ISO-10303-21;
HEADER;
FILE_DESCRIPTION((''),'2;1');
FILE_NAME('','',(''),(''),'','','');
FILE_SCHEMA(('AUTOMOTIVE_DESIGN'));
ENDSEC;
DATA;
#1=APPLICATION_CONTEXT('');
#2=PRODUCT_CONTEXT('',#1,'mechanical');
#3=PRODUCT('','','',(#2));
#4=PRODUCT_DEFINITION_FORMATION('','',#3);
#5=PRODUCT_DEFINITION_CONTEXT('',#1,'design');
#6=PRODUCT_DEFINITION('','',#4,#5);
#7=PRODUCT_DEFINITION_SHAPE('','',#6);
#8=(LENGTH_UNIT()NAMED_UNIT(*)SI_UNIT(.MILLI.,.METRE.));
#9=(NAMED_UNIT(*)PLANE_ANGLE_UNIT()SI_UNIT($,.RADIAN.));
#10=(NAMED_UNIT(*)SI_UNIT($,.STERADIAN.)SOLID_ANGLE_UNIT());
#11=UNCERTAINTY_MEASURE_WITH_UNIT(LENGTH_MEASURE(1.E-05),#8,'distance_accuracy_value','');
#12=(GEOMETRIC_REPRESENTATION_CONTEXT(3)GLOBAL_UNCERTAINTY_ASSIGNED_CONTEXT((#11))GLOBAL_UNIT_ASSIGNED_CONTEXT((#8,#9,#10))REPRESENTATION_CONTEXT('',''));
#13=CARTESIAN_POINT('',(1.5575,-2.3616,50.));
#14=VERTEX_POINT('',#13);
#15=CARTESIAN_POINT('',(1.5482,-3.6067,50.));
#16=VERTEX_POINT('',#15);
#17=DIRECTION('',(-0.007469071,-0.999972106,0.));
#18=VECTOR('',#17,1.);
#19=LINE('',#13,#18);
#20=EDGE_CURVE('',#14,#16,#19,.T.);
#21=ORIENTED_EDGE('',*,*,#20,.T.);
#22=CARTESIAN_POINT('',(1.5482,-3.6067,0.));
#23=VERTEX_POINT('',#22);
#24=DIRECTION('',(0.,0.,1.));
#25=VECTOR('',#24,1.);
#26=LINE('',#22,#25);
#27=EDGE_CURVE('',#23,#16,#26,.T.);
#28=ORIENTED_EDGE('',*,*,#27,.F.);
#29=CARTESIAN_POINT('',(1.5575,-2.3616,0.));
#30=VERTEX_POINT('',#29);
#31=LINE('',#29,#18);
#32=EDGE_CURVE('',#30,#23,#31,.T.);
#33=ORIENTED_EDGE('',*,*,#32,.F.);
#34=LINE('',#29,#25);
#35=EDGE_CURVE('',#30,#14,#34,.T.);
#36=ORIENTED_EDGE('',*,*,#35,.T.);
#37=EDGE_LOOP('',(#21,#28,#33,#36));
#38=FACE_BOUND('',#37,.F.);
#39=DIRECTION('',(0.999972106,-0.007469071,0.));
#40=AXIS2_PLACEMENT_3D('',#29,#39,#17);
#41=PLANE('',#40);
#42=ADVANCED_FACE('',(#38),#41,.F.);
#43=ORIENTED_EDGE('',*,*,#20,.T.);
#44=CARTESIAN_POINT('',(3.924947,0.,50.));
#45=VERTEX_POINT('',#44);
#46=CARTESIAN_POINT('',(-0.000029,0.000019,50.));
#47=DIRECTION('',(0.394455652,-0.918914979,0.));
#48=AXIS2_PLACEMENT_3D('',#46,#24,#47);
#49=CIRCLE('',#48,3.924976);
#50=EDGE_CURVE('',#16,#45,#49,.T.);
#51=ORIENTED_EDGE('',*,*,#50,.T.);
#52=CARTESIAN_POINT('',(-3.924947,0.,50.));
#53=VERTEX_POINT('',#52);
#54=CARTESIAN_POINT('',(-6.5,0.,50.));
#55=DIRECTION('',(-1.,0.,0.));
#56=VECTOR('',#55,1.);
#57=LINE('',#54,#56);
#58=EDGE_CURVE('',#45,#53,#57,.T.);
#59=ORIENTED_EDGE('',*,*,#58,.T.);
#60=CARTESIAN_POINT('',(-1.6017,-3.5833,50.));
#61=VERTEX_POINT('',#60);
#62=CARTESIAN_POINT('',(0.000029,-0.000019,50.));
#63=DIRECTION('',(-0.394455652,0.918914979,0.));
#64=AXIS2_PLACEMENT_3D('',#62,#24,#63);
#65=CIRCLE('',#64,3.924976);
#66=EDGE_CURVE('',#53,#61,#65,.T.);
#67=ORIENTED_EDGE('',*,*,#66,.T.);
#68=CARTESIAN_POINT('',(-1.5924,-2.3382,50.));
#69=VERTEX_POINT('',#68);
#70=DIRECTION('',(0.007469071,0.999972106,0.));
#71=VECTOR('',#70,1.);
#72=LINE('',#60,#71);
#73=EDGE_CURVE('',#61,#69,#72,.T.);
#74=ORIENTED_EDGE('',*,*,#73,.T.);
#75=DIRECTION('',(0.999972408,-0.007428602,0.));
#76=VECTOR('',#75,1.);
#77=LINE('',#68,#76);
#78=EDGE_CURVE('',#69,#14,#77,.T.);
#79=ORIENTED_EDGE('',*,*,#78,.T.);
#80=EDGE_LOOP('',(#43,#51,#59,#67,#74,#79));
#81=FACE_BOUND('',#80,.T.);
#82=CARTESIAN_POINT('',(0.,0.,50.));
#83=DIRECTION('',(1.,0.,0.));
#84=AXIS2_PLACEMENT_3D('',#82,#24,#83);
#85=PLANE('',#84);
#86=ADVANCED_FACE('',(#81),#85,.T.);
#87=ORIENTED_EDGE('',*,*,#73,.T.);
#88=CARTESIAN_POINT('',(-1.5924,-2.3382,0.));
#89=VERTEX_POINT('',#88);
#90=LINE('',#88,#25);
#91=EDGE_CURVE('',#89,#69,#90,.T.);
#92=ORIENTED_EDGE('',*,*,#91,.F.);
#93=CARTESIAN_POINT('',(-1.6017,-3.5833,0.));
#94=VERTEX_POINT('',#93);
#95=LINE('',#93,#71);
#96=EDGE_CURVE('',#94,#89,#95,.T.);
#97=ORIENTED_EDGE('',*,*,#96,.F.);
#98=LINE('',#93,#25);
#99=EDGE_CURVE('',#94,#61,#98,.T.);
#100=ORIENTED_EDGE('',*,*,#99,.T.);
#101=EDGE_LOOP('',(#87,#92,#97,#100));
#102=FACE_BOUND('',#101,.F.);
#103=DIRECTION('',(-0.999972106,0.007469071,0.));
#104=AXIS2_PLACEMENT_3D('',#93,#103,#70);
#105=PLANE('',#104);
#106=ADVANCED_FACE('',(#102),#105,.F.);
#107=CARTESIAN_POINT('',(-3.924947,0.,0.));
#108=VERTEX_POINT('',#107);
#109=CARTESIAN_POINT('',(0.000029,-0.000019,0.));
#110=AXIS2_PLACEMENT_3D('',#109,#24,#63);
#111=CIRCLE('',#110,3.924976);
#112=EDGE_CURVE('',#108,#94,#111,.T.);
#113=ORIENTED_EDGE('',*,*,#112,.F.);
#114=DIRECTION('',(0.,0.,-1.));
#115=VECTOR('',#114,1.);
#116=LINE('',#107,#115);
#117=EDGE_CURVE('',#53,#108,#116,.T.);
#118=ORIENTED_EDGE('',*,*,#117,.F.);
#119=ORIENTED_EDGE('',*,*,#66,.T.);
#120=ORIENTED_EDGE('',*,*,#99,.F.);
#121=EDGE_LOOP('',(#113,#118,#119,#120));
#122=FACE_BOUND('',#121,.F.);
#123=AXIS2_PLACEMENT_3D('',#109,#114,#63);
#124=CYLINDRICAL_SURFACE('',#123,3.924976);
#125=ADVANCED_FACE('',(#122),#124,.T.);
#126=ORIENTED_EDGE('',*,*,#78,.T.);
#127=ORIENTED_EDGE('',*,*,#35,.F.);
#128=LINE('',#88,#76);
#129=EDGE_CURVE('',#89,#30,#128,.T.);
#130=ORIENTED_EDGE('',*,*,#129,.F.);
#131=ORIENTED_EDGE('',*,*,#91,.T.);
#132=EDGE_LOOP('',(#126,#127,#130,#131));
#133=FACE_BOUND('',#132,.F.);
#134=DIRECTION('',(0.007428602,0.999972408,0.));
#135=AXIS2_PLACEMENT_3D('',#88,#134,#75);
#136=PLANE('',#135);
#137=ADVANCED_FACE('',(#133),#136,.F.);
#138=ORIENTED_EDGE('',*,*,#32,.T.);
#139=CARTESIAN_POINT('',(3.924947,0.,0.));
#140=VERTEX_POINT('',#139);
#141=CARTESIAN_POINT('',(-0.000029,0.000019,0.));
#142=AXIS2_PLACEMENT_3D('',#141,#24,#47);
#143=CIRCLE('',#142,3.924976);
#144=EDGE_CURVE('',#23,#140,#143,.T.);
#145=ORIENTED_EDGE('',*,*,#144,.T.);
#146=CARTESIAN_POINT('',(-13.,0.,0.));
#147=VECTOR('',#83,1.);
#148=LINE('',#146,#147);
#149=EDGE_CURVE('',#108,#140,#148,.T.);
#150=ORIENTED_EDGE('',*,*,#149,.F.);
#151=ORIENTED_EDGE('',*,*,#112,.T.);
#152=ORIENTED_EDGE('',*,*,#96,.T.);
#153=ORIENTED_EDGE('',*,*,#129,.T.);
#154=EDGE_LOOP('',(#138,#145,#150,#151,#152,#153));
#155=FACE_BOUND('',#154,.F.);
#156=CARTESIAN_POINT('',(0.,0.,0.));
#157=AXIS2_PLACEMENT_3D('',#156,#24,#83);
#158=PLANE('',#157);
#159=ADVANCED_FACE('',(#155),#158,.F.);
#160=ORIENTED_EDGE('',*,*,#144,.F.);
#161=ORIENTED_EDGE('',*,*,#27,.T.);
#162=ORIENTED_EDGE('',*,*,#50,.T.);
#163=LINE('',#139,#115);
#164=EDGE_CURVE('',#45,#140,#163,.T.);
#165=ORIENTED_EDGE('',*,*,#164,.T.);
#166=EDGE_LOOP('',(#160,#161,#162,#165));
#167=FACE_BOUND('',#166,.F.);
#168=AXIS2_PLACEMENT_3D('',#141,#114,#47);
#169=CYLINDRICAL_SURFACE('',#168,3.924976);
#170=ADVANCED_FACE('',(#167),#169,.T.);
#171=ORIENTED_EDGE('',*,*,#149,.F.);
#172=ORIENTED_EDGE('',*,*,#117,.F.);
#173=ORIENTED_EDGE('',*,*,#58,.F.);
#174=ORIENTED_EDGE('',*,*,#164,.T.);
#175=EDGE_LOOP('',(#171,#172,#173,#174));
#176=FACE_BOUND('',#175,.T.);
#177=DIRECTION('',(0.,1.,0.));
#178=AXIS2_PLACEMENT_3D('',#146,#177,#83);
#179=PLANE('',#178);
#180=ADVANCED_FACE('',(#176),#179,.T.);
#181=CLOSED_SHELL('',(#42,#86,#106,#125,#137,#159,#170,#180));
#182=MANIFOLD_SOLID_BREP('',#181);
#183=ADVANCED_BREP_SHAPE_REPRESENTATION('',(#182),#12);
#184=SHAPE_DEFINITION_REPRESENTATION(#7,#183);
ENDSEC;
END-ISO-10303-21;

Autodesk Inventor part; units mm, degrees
ref_plane "YZ Plane" through (0, 0, 0) normal (1, 0, 0) x (0, 1, 0)
ref_plane "XZ Plane" through (0, 0, 0) normal (0, 1, 0) x (-1, 0, 0)
ref_plane "XY Plane" through (0, 0, 0) normal (0, 0, 1) x (1, 0, 0)
sketch "Sketch1" plane through (0, 0, 0) normal (0, 0, 1) x (1, 0, 0)
  line L0 (1.5575, -2.3616) -> (1.5482, -3.6067)
  line L1 (-1.5924, -2.3382) -> (1.5575, -2.3616)
  line L2 (-1.6017, -3.5833) -> (-1.5924, -2.3382)
  arc A0 (-1.5482, 3.6067) -> (-1.6017, -3.5833) centre (0, 0) ccw
  line L3 (-1.5575, 2.3616) -> (-1.5482, 3.6067)
  line L4 (1.5924, 2.3382) -> (-1.5575, 2.3616)
  line L5 (1.6017, 3.5833) -> (1.5924, 2.3382)
  arc A1 (1.5482, -3.6067) -> (1.6017, 3.5833) centre (0, 0) ccw
  point P0 (0, 0)
extrude "Extrusion1" add sketch "Sketch1" along normal blind 50
sketch "Sketch2" plane through (0, 0, 0) normal (0, 0, -1) x (-1, 0, 0)
  line L0 (-25, 13) -> (13, 13)
  line L1 (13, 13) -> (13, 0)
  line L2 (13, 0) -> (-25, 0)
  line L3 (-25, 0) -> (-25, 13)
  point P0 (0, 0)
extrude "Extrusion2" cut sketch "Sketch2" against normal blind 89.5
properties part number "Long_axel"
